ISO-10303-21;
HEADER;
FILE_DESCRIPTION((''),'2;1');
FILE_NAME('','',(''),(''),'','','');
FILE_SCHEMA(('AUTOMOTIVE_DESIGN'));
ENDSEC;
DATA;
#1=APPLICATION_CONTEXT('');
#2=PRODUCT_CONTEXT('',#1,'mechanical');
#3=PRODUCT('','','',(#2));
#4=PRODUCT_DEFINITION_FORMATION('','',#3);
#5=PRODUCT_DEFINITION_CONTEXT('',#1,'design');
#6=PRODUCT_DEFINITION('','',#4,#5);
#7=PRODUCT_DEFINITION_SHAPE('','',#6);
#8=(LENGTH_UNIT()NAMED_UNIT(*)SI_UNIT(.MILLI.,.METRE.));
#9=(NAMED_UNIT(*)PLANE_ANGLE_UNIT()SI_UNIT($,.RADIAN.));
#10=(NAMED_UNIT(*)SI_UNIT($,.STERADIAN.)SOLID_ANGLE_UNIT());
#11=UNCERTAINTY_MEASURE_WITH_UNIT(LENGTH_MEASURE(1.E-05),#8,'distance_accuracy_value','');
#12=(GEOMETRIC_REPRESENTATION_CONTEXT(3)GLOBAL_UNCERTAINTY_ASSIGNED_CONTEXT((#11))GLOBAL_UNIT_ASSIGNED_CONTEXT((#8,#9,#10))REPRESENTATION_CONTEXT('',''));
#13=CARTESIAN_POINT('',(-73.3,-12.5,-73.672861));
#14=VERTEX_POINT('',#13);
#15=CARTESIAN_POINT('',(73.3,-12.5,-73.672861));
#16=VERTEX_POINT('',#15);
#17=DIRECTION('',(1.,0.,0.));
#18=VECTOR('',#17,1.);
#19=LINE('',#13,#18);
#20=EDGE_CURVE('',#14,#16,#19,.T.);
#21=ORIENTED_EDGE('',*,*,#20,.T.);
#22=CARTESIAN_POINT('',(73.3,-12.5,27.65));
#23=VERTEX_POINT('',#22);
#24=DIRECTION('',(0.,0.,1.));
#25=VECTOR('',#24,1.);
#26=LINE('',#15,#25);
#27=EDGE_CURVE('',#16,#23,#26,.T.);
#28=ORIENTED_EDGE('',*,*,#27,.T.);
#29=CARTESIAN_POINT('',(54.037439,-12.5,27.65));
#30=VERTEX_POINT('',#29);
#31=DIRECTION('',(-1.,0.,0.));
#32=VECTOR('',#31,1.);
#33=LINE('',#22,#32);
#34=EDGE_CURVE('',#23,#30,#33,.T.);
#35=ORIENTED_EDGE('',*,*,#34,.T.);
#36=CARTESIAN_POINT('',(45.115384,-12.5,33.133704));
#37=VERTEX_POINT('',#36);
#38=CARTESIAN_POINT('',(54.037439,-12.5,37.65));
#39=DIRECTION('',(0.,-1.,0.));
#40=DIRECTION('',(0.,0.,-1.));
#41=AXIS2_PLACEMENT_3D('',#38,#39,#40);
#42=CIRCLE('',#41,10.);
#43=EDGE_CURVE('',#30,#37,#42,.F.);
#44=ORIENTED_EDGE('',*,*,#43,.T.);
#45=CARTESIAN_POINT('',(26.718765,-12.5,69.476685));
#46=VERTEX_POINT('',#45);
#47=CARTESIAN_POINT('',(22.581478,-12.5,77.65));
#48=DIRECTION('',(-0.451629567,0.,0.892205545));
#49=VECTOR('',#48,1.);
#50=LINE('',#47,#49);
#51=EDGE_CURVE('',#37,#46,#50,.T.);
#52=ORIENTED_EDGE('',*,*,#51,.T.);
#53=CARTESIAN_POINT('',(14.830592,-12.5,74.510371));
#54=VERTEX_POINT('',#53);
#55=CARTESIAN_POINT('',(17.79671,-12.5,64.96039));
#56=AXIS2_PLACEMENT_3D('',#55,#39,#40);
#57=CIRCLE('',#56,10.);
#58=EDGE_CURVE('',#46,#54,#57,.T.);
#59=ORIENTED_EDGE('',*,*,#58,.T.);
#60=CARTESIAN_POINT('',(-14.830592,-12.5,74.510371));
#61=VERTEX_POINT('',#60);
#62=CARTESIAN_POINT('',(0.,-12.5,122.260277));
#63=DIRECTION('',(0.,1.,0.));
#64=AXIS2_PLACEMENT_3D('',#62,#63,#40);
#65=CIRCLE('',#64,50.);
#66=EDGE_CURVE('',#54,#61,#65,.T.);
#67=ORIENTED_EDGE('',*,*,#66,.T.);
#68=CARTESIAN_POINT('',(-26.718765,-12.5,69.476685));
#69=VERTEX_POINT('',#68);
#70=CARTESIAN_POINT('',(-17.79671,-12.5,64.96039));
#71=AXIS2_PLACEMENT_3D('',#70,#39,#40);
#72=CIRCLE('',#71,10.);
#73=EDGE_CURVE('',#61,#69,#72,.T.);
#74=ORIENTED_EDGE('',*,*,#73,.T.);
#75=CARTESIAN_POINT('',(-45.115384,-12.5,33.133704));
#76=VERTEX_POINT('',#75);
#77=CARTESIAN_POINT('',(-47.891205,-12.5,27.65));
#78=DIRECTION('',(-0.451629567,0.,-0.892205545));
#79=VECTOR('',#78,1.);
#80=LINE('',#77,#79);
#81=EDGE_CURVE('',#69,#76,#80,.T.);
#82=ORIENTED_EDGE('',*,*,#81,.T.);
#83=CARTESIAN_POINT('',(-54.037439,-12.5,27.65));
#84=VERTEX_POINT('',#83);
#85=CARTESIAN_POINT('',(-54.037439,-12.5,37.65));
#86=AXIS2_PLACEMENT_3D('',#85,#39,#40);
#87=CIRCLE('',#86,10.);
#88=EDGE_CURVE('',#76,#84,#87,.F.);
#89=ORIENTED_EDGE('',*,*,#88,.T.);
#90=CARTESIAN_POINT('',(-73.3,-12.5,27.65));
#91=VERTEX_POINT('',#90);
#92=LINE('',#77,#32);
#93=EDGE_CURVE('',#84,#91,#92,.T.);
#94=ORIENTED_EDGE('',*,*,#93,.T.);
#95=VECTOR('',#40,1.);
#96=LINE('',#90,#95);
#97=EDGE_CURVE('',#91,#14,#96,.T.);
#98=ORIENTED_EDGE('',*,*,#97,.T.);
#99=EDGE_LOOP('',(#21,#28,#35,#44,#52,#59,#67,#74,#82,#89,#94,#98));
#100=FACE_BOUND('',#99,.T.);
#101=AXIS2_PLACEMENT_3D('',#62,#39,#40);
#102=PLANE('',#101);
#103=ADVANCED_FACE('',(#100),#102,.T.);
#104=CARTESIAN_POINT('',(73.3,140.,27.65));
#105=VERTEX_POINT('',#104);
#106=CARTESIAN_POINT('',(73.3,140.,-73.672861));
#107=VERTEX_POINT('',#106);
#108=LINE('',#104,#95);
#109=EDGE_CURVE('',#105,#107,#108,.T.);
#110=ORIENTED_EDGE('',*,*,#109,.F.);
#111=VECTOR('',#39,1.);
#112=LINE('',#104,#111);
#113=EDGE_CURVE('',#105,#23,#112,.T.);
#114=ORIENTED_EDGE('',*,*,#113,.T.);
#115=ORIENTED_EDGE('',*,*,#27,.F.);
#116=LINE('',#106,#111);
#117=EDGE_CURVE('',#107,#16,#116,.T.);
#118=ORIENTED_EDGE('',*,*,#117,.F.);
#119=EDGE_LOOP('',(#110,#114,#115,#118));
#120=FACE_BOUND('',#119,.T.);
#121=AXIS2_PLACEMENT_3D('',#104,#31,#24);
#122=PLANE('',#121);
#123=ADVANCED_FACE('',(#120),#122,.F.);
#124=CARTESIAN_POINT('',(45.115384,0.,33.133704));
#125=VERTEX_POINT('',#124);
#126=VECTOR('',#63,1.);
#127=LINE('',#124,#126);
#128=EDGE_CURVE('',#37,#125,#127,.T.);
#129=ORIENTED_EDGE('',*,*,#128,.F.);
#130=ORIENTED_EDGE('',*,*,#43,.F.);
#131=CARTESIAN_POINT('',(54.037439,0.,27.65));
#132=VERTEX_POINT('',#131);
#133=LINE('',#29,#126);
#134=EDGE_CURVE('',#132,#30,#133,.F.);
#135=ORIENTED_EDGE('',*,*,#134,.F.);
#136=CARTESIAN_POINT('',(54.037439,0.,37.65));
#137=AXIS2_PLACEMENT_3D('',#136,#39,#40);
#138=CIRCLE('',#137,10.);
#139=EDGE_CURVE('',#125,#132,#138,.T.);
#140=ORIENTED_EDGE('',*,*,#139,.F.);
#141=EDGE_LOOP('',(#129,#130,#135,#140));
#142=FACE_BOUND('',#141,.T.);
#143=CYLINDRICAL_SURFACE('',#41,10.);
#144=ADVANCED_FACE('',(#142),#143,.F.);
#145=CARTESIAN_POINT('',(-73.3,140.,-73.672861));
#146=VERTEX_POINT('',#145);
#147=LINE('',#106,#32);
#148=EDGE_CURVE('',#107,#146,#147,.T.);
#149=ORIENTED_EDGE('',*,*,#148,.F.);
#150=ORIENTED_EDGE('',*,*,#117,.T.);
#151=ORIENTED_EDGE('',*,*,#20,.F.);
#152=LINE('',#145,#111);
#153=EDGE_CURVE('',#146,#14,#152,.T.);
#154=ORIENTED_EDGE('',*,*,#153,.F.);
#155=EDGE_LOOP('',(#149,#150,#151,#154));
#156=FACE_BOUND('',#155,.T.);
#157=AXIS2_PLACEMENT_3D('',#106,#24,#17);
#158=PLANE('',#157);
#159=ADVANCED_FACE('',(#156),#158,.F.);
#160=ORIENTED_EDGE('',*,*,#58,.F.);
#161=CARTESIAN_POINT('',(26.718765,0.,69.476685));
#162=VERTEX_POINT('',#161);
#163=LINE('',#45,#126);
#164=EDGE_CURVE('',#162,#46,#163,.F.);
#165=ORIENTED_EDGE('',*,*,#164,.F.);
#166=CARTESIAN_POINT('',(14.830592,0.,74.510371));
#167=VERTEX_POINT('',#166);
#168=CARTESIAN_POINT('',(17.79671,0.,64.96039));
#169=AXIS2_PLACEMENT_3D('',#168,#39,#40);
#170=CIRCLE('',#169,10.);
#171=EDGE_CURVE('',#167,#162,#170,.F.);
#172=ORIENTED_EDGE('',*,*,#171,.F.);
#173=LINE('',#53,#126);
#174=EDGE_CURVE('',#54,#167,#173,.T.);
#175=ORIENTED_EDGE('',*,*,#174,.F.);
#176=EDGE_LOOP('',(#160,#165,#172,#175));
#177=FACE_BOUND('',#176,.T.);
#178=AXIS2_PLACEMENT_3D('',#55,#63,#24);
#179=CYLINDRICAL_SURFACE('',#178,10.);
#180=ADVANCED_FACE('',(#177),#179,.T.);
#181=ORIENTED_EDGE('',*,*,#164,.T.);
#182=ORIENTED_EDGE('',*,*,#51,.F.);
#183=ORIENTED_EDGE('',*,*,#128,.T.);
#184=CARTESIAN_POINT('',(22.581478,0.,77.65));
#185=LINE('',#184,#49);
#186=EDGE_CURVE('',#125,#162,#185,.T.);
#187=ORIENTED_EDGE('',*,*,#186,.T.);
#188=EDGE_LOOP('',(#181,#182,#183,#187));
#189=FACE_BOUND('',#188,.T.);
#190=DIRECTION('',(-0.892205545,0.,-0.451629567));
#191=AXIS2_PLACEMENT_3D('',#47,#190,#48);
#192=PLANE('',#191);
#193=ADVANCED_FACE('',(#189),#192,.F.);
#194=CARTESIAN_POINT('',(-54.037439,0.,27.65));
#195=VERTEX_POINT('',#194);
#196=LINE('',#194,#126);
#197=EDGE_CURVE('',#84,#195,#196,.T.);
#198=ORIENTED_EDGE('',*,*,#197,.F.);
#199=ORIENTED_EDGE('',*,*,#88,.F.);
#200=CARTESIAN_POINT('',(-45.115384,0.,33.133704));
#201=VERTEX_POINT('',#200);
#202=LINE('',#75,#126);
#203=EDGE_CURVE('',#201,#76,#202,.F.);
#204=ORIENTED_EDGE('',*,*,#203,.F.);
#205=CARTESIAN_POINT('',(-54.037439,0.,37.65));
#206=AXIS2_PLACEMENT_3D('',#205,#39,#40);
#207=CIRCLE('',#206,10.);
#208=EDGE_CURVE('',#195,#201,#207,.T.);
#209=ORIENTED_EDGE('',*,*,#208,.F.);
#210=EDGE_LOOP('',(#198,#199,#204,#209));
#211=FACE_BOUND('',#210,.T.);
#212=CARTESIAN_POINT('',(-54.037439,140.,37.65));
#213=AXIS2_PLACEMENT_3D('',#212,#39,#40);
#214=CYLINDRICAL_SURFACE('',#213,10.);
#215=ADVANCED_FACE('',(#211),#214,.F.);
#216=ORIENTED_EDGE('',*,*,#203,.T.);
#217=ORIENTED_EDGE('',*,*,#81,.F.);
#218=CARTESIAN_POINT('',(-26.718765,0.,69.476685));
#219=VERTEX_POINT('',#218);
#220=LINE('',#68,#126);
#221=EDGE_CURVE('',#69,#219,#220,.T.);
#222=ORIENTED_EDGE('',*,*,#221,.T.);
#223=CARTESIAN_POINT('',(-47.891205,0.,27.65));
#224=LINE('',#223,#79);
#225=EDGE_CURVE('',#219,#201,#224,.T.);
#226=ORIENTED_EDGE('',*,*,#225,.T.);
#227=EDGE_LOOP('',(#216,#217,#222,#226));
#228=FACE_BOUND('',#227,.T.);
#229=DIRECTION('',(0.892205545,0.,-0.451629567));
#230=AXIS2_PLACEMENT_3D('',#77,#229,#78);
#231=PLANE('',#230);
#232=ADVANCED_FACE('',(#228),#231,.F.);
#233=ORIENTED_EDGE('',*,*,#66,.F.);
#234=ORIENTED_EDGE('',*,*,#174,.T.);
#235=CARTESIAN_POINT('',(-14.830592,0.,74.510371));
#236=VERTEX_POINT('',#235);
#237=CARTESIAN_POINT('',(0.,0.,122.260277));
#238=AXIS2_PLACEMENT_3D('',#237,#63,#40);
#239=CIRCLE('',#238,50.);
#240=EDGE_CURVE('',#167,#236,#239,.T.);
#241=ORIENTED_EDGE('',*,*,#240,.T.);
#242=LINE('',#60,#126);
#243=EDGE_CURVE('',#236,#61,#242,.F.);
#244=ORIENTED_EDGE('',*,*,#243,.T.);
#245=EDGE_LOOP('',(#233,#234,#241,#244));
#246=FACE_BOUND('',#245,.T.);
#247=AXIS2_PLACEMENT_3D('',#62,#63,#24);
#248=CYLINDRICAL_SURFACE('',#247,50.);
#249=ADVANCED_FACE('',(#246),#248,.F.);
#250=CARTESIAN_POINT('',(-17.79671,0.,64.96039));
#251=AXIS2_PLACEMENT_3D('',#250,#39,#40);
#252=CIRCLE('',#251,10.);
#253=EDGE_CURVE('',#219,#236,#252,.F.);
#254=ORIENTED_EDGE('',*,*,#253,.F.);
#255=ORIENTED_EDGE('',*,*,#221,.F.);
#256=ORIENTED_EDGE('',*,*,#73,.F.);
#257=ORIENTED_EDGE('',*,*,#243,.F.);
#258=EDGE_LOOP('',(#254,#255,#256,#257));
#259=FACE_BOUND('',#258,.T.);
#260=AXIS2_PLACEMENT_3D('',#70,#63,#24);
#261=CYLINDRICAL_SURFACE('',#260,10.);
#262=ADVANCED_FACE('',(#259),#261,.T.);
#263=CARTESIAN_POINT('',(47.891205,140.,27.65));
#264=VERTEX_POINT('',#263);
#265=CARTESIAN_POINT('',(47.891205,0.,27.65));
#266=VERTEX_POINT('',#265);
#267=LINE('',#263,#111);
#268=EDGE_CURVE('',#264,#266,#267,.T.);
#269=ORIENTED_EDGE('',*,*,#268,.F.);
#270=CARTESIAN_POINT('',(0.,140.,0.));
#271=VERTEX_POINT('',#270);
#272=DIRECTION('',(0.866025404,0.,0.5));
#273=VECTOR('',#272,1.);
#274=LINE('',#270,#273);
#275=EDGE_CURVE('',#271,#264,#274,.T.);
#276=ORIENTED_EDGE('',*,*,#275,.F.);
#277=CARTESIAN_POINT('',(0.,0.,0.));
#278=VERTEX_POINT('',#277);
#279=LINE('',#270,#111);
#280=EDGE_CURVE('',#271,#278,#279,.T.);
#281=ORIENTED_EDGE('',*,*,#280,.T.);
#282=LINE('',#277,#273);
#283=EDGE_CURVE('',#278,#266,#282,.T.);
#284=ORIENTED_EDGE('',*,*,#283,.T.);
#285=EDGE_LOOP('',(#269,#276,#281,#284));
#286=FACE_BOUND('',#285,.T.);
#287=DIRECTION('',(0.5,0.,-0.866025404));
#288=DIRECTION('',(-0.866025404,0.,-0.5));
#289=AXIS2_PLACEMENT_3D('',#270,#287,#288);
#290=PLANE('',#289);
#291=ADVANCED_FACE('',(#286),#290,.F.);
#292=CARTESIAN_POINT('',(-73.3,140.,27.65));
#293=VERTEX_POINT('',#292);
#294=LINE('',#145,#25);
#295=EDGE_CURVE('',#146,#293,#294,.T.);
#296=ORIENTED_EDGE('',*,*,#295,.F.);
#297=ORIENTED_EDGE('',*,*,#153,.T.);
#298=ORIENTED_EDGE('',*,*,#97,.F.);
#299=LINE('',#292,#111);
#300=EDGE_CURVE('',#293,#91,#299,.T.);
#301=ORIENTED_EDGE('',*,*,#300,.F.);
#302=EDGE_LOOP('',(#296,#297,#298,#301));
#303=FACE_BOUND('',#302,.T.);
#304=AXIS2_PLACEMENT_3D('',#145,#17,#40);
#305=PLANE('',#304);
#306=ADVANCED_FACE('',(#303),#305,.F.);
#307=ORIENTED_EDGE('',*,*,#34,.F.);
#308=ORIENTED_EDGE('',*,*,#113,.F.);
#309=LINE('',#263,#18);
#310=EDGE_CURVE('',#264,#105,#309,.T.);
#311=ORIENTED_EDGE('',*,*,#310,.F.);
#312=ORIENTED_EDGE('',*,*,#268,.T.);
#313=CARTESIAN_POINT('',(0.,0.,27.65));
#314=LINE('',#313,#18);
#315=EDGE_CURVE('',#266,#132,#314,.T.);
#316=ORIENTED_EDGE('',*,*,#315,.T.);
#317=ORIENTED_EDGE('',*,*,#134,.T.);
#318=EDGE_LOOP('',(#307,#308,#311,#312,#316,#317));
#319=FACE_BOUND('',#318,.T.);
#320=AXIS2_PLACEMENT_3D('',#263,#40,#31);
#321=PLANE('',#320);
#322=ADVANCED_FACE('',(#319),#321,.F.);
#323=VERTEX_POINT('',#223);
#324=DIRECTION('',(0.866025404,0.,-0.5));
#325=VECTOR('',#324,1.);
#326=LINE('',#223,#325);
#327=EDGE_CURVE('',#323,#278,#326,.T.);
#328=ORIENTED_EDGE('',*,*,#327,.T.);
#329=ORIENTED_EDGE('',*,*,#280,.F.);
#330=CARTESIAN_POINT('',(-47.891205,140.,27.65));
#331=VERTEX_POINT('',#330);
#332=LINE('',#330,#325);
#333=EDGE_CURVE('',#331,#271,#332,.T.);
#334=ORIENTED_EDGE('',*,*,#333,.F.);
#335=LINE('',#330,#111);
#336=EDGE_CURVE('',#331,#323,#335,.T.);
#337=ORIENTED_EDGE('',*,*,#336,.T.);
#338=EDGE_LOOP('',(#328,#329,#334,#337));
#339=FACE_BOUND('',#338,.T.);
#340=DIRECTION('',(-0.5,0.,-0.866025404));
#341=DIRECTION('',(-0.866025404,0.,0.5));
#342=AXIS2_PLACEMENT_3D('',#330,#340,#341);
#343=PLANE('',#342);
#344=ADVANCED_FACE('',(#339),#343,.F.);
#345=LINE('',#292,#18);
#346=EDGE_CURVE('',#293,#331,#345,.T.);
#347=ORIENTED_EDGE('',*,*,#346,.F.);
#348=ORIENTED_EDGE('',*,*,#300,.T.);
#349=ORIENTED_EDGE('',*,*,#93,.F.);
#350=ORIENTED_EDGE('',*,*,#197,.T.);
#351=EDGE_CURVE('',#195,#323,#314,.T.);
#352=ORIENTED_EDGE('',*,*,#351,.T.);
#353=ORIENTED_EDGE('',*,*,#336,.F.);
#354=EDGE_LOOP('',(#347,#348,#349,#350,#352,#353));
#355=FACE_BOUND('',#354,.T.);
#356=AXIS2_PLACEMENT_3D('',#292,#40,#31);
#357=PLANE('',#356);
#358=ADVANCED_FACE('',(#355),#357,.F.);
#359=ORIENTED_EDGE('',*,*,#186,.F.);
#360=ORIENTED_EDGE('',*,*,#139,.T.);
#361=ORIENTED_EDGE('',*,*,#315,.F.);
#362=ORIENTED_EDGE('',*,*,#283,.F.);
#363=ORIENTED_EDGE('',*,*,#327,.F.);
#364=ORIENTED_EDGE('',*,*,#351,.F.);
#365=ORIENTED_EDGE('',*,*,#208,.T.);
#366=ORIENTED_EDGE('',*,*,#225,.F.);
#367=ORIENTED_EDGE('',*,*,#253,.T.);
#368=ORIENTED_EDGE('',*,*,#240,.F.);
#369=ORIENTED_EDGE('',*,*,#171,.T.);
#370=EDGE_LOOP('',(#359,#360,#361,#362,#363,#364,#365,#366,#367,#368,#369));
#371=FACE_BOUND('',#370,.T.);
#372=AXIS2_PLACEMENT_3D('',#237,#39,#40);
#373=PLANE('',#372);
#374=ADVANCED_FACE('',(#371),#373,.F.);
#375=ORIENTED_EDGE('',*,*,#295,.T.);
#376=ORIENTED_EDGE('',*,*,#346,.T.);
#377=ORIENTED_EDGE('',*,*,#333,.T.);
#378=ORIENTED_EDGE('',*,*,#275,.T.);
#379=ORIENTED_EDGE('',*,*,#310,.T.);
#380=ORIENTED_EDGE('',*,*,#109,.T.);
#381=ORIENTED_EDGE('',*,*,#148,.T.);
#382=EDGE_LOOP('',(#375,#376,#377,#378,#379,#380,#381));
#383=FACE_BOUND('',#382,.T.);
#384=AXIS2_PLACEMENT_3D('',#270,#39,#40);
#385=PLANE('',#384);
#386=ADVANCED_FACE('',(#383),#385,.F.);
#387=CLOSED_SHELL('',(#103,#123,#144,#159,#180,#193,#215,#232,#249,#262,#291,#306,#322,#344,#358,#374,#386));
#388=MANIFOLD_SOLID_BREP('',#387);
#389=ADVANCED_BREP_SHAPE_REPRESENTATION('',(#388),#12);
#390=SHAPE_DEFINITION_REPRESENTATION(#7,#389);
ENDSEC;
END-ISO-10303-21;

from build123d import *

# Parameters (mm, degrees)
BOSS_EXTRUDE1_DEPTH = 140
BOSS_EXTRUDE2_DEPTH = 12.5
FILLET1_R           = 10


with BuildPart() as part:
    # Sketch1 → Boss-Extrude1 (new body)
    with BuildSketch(Plane(origin=(0, 0, 0), x_dir=(1, 0, 0), z_dir=(0, 1, 0))):
        Polygon((0, 0), (47.891204829, -27.65), (73.3, -27.65), (73.3, 73.672860643), (-73.3, 73.672860643), (-73.3, -27.65), (-47.891204829, -27.65), align=None)
    extrude(amount=BOSS_EXTRUDE1_DEPTH)

    # Sketch3 → Boss-Extrude2 (add)
    with BuildSketch(Plane.XZ):
        with BuildLine():
            Line((-47.891204829, 27.65), (-22.581478328, 77.65))
            ThreePointArc((-22.581478328, 77.65), (0, 72.260277252), (22.581478328, 77.65))
            Line((22.581478328, 77.65), (47.891204829, 27.65))
            Line((47.891204829, 27.65), (73.3, 27.65))
            Line((73.3, 27.65), (73.3, -73.672860643))
            Line((73.3, -73.672860643), (-73.3, -73.672860643))
            Line((-73.3, -73.672860643), (-73.3, 27.65))
            Line((-73.3, 27.65), (-47.891204829, 27.65))
        make_face()
    extrude(amount=BOSS_EXTRUDE2_DEPTH)

    # Fillet1
    fillet1_edges = [part.edges().sort_by_distance(p)[0] for p in [
        (-47.891204829, -6.25, 27.65),
        (47.891204829, -6.25, 27.65),
        (22.581478328, -6.25, 77.65),
        (-22.581478328, -6.25, 77.65),
    ]]
    fillet(fillet1_edges, radius=FILLET1_R)


solid = part.part
